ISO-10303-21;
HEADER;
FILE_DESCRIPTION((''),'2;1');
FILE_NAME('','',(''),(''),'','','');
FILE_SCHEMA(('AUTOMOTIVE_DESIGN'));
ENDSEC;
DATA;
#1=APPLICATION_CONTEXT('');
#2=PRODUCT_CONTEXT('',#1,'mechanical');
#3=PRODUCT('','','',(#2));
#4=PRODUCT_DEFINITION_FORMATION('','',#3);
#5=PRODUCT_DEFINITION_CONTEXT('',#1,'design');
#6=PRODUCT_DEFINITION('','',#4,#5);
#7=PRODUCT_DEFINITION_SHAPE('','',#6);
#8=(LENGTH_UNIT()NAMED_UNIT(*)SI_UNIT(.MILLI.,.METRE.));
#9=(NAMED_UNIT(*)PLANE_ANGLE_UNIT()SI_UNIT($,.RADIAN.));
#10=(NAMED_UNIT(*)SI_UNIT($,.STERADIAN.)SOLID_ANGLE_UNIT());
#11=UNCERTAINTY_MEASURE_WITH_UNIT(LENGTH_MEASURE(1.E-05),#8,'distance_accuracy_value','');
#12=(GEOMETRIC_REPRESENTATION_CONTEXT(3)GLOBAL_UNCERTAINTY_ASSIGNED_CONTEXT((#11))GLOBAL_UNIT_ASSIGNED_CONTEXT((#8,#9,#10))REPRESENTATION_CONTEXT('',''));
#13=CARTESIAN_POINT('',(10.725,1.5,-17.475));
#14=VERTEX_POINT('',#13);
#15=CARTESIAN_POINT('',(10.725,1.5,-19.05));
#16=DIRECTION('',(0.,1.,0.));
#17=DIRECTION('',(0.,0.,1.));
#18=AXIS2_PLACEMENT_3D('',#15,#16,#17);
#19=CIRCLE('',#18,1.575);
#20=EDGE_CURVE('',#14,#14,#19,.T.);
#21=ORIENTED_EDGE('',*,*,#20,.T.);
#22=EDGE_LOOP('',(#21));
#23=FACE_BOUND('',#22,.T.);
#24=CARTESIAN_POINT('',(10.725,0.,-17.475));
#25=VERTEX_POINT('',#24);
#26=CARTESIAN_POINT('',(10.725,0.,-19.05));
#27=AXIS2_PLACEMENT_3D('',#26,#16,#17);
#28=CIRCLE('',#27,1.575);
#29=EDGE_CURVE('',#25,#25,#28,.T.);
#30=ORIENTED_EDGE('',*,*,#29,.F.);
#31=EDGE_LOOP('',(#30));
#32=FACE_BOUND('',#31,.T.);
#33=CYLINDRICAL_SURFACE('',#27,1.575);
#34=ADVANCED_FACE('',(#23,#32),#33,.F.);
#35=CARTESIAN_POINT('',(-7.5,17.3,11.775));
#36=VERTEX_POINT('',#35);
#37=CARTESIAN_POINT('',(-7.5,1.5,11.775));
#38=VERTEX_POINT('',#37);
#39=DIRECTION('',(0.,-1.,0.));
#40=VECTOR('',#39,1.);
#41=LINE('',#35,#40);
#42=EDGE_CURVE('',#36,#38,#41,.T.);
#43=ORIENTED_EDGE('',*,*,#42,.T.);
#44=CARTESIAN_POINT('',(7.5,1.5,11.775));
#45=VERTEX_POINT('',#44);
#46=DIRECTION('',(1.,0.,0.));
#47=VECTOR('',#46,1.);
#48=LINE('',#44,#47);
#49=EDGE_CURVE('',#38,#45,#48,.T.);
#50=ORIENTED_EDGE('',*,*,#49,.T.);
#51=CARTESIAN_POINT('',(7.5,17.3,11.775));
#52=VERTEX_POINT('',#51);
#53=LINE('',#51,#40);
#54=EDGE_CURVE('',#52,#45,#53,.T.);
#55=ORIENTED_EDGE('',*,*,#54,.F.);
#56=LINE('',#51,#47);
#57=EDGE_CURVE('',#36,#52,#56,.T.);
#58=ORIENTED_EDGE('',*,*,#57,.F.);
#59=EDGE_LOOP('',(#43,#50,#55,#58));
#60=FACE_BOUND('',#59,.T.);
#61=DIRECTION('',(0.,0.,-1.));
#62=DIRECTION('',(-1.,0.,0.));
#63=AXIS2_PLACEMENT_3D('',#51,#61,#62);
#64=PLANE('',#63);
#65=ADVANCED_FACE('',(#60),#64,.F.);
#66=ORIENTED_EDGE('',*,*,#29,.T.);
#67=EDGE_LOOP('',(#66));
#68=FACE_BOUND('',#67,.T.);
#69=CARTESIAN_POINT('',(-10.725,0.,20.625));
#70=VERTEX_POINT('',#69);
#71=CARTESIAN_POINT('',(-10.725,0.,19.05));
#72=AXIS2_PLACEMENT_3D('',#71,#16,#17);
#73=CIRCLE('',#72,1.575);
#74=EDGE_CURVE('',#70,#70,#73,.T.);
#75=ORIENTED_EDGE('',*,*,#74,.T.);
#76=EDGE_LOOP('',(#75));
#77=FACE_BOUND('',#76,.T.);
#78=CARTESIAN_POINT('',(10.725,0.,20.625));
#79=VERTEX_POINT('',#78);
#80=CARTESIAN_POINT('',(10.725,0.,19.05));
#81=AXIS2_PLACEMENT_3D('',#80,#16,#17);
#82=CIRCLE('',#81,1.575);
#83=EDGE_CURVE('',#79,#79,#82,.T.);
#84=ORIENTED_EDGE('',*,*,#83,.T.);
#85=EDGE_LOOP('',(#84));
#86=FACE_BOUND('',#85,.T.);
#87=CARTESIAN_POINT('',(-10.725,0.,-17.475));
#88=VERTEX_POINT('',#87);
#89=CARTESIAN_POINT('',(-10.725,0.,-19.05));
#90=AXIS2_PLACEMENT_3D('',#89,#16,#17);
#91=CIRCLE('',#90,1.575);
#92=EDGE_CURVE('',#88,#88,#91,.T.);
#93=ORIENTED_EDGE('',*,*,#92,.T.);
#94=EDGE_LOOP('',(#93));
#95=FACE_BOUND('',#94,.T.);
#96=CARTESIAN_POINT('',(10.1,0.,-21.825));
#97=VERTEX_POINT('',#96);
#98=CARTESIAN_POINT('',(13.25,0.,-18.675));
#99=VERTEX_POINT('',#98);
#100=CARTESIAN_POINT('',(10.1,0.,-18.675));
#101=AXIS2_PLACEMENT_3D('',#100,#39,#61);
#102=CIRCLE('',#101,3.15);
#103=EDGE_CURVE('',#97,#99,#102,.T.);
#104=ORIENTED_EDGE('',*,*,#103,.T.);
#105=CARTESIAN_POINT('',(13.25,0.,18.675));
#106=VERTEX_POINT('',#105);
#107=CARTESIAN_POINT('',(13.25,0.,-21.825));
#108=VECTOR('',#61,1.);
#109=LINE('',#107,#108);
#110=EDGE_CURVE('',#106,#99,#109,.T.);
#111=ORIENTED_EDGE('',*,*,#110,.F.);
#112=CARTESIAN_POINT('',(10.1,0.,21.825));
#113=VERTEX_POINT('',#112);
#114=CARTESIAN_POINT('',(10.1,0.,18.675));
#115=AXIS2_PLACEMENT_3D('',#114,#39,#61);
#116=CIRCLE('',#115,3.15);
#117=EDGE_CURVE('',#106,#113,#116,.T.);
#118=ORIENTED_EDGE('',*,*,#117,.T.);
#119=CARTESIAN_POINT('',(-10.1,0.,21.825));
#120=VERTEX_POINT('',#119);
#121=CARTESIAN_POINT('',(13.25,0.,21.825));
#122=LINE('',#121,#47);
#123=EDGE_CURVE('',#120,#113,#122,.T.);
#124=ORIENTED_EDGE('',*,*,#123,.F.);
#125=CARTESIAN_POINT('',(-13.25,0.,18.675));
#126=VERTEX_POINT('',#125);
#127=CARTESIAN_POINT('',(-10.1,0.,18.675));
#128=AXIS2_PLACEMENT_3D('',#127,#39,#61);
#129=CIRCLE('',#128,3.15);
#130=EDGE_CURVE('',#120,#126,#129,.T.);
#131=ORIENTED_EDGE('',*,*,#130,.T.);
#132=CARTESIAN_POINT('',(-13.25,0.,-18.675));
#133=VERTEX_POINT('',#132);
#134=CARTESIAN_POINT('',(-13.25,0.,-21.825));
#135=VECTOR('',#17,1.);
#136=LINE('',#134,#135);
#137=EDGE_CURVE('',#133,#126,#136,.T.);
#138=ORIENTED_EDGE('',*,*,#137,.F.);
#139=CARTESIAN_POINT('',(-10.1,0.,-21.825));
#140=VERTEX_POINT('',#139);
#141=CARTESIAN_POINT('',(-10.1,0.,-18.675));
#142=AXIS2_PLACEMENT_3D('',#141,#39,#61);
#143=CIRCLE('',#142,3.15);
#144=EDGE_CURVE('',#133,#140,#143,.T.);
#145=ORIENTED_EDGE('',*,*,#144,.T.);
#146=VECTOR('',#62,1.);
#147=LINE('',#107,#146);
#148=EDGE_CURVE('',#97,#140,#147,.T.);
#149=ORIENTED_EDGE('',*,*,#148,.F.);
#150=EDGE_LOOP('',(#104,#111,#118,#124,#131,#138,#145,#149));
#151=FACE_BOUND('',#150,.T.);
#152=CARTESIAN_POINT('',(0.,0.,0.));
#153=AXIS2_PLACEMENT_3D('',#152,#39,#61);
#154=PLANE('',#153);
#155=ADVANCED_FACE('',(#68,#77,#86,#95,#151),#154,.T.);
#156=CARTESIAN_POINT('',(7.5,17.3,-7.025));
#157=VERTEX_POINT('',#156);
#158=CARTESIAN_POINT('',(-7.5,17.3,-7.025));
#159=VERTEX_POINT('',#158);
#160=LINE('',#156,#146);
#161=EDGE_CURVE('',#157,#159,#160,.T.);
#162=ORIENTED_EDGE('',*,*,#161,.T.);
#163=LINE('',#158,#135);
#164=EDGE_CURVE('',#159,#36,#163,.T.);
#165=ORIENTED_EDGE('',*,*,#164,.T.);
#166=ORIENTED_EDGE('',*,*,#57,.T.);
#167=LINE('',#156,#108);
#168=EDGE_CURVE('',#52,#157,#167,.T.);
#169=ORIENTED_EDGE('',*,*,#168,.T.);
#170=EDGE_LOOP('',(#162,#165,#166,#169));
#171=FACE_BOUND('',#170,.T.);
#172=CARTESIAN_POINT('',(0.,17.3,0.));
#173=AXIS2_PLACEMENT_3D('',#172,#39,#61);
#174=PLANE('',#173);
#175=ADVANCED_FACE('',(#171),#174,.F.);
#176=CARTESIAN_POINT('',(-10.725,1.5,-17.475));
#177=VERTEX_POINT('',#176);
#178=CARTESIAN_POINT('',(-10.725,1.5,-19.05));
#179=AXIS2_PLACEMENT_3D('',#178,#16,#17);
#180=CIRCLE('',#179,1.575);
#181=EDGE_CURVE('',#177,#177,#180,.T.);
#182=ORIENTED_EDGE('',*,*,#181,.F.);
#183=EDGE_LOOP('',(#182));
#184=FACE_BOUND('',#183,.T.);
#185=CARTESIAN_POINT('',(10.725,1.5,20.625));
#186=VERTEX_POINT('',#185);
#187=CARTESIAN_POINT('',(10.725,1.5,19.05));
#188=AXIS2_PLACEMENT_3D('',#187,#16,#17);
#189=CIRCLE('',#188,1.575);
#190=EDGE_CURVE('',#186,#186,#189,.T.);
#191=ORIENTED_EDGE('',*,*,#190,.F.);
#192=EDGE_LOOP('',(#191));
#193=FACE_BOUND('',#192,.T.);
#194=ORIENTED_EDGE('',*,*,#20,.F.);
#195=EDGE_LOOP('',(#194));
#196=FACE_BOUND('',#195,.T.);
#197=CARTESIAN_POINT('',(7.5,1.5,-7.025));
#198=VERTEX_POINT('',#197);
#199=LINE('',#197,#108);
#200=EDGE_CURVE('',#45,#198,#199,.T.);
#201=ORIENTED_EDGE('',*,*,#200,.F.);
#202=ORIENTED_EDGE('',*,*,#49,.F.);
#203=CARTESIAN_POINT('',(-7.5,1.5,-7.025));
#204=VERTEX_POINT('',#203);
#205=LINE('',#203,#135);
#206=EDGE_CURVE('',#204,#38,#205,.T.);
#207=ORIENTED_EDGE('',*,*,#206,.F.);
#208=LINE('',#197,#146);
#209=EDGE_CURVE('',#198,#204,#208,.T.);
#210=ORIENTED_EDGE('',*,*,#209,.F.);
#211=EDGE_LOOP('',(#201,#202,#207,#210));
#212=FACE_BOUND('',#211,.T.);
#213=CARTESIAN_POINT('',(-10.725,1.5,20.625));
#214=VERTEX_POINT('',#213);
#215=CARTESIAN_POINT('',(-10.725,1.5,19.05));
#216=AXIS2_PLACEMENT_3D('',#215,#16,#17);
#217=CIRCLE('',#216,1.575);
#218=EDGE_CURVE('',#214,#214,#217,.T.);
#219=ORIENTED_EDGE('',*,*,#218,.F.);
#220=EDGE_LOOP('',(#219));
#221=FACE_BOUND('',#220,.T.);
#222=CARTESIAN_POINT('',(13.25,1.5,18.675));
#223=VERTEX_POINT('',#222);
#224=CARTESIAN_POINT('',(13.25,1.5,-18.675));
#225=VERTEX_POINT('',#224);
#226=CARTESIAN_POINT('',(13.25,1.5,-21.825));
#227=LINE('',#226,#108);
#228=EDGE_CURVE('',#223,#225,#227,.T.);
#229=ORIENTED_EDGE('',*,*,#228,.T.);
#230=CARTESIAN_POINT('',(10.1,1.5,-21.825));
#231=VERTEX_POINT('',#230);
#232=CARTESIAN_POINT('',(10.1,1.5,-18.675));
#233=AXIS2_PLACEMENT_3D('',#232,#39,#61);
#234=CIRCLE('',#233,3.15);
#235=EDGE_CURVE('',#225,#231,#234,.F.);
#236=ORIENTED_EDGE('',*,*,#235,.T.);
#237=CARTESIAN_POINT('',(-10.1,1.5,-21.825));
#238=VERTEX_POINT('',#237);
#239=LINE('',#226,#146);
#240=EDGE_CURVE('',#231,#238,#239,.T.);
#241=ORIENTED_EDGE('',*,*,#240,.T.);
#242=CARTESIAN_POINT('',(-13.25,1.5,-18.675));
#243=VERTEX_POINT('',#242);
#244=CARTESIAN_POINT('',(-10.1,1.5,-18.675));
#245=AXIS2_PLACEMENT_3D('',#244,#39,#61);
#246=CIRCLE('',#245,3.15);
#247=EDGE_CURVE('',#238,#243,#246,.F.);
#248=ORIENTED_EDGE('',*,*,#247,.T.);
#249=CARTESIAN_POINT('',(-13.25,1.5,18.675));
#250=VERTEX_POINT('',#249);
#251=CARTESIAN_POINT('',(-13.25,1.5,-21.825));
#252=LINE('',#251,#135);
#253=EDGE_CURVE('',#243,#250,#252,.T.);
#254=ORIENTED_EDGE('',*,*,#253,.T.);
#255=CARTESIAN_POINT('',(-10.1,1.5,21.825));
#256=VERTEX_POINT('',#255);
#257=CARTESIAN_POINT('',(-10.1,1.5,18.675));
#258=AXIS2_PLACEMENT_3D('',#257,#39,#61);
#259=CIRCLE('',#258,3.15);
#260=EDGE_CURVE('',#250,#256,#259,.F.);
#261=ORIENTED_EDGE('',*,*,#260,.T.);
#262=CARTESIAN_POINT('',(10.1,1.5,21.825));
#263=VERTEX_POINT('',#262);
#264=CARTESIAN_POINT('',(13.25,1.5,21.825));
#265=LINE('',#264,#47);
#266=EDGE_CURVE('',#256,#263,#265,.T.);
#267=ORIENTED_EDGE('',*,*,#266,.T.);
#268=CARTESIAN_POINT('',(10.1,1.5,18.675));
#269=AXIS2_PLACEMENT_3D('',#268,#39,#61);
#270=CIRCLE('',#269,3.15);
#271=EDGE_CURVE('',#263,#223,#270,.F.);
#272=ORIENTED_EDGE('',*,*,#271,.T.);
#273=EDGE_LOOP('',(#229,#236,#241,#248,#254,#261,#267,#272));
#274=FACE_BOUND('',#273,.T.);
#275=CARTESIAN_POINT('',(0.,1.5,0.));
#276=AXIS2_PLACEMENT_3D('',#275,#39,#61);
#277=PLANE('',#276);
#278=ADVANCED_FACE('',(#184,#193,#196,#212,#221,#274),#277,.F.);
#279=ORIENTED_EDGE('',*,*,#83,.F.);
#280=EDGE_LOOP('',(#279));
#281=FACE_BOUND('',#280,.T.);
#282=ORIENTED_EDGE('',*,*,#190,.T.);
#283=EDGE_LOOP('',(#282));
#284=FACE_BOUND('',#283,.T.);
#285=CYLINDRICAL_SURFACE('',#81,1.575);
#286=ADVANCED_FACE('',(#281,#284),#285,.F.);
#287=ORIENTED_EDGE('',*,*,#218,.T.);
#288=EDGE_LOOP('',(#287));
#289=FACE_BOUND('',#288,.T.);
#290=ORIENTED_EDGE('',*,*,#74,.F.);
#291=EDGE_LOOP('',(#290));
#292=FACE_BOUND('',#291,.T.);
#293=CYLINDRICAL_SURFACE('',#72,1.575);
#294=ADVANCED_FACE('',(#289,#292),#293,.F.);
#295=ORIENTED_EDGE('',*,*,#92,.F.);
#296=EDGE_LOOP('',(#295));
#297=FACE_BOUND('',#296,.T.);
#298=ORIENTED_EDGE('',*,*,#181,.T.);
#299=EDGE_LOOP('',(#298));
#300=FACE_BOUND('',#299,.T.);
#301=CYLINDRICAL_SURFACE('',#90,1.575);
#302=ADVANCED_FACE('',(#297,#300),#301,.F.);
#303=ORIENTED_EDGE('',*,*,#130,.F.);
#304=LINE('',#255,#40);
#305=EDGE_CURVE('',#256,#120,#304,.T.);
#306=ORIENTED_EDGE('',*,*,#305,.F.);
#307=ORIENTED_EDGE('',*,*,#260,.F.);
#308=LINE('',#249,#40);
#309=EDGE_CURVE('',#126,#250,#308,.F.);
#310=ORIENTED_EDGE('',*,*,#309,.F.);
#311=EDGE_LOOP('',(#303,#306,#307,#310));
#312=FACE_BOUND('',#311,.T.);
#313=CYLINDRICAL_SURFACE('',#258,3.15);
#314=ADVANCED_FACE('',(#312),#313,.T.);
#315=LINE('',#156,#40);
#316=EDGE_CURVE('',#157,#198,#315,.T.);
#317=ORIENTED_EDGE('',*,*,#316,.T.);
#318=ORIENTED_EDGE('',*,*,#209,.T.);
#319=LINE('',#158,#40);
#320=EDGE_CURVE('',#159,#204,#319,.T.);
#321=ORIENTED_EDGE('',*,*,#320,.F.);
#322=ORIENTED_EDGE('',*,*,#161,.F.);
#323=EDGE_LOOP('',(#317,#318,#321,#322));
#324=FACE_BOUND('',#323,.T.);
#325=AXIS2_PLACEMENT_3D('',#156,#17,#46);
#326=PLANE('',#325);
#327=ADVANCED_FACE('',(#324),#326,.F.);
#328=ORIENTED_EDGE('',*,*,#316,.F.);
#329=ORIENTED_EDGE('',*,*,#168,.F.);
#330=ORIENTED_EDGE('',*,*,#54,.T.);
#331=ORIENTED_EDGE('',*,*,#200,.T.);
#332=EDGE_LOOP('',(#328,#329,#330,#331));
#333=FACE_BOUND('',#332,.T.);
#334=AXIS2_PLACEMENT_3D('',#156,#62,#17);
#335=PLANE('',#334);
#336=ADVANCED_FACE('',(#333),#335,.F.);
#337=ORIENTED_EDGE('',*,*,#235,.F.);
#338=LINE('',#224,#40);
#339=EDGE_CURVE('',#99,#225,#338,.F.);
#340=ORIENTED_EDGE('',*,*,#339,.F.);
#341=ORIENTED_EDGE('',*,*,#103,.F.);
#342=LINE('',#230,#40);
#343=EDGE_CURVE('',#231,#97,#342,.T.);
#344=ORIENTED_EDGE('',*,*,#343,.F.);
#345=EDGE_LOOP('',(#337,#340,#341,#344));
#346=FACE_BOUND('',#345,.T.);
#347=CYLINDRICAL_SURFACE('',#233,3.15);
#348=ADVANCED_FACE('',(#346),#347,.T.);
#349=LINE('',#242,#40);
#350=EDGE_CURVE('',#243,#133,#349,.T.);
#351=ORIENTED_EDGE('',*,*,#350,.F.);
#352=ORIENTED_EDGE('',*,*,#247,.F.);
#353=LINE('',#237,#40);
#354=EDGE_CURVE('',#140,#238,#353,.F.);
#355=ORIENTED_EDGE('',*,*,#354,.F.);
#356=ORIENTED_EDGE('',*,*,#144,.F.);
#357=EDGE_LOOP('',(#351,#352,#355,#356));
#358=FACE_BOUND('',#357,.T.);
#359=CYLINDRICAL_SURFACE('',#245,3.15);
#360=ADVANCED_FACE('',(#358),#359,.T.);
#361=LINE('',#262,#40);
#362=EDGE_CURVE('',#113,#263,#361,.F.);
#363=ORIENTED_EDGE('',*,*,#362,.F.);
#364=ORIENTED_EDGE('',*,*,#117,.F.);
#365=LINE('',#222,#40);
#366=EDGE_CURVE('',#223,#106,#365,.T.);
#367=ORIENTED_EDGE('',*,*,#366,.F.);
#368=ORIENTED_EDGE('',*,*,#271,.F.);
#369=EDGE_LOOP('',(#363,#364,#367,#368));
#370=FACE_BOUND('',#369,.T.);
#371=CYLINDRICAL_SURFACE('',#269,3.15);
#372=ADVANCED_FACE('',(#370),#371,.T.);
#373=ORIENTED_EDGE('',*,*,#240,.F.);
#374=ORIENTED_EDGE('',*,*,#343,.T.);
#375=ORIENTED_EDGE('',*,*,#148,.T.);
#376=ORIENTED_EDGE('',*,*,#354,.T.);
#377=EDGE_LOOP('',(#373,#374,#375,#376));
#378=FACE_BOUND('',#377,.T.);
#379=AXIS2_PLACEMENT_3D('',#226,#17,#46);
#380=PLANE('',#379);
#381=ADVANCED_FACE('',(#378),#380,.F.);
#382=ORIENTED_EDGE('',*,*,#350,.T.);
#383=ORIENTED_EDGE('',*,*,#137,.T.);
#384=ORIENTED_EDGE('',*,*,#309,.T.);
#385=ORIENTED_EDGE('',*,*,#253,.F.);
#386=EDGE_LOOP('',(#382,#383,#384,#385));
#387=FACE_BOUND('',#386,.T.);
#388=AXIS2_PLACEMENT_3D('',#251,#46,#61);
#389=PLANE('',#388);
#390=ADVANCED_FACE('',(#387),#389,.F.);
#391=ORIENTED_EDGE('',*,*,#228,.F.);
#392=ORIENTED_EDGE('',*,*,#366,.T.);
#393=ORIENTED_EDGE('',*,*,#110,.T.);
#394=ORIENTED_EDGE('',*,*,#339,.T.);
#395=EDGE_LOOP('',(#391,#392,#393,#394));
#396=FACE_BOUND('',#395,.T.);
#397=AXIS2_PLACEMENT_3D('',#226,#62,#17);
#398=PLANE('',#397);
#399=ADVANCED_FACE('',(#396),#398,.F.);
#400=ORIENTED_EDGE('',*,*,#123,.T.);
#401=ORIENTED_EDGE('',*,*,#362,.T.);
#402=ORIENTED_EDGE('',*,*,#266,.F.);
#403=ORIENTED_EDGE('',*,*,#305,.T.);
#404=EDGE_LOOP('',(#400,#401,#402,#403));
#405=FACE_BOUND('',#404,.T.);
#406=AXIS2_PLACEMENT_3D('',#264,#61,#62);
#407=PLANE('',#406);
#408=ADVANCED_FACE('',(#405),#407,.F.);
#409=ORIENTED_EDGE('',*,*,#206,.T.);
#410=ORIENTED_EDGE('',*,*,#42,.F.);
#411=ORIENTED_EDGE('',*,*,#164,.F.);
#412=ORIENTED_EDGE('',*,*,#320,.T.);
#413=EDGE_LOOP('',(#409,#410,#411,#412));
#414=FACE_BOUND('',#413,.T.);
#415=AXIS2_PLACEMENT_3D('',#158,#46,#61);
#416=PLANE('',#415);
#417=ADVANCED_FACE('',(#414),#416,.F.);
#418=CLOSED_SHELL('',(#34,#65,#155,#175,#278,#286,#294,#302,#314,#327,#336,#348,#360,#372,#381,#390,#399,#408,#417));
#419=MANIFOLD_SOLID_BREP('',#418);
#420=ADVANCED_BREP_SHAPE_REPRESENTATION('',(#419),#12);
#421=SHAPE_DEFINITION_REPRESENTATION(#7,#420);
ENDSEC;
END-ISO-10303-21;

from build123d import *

# Parameters (mm, degrees)
SKETCH1_W           = 26.5
SKETCH1_H           = 43.65
BOSS_EXTRUDE1_DEPTH = 1.5
FILLET1_R           = 3.15
SKETCH2_R           = 1.575
CUT_EXTRUDE1_DEPTH  = 1.5
SKETCH3_W           = 15
SKETCH3_H           = 18.8
BOSS_EXTRUDE2_DEPTH = 15.8


with BuildPart() as part:
    # Sketch1 → Boss-Extrude1 (new body)
    with BuildSketch(Plane(origin=(0, 0, 0), x_dir=(1, 0, 0), z_dir=(0, 1, 0))):
        Rectangle(SKETCH1_W, SKETCH1_H)
    extrude(amount=BOSS_EXTRUDE1_DEPTH)

    # Fillet1
    fillet1_edges = [part.edges().sort_by_distance(p)[0] for p in [
        (-13.25, 0.75, -21.825),
        (13.25, 0.75, -21.825),
        (13.25, 0.75, 21.825),
        (-13.25, 0.75, 21.825),
    ]]
    fillet(fillet1_edges, radius=FILLET1_R)

    # Sketch2 → Cut-Extrude1 (cut)
    with BuildSketch(Plane(origin=(0, 1.5, 0), x_dir=(1, 0, 0), z_dir=(0, 1, 0))):
        with Locations(Location((-10.725, 19.05, 0), (0, 0, 270))):
            Circle(SKETCH2_R)
        with Locations(Location((10.725, 19.05, 0), (0, 0, 270))):
            Circle(SKETCH2_R)
        with Locations(Location((10.725, -19.05, 0), (0, 0, 270))):
            Circle(SKETCH2_R)
        with Locations(Location((-10.725, -19.05, 0), (0, 0, 270))):
            Circle(SKETCH2_R)
    extrude(amount=-CUT_EXTRUDE1_DEPTH, mode=Mode.SUBTRACT)

    # Sketch3 → Boss-Extrude2 (add)
    with BuildSketch(Plane(origin=(0, 1.5, 0), x_dir=(1, 0, 0), z_dir=(0, 1, 0))):
        with Locations((0, -2.375)):
            Rectangle(SKETCH3_W, SKETCH3_H)
    extrude(amount=BOSS_EXTRUDE2_DEPTH)


solid = part.part
